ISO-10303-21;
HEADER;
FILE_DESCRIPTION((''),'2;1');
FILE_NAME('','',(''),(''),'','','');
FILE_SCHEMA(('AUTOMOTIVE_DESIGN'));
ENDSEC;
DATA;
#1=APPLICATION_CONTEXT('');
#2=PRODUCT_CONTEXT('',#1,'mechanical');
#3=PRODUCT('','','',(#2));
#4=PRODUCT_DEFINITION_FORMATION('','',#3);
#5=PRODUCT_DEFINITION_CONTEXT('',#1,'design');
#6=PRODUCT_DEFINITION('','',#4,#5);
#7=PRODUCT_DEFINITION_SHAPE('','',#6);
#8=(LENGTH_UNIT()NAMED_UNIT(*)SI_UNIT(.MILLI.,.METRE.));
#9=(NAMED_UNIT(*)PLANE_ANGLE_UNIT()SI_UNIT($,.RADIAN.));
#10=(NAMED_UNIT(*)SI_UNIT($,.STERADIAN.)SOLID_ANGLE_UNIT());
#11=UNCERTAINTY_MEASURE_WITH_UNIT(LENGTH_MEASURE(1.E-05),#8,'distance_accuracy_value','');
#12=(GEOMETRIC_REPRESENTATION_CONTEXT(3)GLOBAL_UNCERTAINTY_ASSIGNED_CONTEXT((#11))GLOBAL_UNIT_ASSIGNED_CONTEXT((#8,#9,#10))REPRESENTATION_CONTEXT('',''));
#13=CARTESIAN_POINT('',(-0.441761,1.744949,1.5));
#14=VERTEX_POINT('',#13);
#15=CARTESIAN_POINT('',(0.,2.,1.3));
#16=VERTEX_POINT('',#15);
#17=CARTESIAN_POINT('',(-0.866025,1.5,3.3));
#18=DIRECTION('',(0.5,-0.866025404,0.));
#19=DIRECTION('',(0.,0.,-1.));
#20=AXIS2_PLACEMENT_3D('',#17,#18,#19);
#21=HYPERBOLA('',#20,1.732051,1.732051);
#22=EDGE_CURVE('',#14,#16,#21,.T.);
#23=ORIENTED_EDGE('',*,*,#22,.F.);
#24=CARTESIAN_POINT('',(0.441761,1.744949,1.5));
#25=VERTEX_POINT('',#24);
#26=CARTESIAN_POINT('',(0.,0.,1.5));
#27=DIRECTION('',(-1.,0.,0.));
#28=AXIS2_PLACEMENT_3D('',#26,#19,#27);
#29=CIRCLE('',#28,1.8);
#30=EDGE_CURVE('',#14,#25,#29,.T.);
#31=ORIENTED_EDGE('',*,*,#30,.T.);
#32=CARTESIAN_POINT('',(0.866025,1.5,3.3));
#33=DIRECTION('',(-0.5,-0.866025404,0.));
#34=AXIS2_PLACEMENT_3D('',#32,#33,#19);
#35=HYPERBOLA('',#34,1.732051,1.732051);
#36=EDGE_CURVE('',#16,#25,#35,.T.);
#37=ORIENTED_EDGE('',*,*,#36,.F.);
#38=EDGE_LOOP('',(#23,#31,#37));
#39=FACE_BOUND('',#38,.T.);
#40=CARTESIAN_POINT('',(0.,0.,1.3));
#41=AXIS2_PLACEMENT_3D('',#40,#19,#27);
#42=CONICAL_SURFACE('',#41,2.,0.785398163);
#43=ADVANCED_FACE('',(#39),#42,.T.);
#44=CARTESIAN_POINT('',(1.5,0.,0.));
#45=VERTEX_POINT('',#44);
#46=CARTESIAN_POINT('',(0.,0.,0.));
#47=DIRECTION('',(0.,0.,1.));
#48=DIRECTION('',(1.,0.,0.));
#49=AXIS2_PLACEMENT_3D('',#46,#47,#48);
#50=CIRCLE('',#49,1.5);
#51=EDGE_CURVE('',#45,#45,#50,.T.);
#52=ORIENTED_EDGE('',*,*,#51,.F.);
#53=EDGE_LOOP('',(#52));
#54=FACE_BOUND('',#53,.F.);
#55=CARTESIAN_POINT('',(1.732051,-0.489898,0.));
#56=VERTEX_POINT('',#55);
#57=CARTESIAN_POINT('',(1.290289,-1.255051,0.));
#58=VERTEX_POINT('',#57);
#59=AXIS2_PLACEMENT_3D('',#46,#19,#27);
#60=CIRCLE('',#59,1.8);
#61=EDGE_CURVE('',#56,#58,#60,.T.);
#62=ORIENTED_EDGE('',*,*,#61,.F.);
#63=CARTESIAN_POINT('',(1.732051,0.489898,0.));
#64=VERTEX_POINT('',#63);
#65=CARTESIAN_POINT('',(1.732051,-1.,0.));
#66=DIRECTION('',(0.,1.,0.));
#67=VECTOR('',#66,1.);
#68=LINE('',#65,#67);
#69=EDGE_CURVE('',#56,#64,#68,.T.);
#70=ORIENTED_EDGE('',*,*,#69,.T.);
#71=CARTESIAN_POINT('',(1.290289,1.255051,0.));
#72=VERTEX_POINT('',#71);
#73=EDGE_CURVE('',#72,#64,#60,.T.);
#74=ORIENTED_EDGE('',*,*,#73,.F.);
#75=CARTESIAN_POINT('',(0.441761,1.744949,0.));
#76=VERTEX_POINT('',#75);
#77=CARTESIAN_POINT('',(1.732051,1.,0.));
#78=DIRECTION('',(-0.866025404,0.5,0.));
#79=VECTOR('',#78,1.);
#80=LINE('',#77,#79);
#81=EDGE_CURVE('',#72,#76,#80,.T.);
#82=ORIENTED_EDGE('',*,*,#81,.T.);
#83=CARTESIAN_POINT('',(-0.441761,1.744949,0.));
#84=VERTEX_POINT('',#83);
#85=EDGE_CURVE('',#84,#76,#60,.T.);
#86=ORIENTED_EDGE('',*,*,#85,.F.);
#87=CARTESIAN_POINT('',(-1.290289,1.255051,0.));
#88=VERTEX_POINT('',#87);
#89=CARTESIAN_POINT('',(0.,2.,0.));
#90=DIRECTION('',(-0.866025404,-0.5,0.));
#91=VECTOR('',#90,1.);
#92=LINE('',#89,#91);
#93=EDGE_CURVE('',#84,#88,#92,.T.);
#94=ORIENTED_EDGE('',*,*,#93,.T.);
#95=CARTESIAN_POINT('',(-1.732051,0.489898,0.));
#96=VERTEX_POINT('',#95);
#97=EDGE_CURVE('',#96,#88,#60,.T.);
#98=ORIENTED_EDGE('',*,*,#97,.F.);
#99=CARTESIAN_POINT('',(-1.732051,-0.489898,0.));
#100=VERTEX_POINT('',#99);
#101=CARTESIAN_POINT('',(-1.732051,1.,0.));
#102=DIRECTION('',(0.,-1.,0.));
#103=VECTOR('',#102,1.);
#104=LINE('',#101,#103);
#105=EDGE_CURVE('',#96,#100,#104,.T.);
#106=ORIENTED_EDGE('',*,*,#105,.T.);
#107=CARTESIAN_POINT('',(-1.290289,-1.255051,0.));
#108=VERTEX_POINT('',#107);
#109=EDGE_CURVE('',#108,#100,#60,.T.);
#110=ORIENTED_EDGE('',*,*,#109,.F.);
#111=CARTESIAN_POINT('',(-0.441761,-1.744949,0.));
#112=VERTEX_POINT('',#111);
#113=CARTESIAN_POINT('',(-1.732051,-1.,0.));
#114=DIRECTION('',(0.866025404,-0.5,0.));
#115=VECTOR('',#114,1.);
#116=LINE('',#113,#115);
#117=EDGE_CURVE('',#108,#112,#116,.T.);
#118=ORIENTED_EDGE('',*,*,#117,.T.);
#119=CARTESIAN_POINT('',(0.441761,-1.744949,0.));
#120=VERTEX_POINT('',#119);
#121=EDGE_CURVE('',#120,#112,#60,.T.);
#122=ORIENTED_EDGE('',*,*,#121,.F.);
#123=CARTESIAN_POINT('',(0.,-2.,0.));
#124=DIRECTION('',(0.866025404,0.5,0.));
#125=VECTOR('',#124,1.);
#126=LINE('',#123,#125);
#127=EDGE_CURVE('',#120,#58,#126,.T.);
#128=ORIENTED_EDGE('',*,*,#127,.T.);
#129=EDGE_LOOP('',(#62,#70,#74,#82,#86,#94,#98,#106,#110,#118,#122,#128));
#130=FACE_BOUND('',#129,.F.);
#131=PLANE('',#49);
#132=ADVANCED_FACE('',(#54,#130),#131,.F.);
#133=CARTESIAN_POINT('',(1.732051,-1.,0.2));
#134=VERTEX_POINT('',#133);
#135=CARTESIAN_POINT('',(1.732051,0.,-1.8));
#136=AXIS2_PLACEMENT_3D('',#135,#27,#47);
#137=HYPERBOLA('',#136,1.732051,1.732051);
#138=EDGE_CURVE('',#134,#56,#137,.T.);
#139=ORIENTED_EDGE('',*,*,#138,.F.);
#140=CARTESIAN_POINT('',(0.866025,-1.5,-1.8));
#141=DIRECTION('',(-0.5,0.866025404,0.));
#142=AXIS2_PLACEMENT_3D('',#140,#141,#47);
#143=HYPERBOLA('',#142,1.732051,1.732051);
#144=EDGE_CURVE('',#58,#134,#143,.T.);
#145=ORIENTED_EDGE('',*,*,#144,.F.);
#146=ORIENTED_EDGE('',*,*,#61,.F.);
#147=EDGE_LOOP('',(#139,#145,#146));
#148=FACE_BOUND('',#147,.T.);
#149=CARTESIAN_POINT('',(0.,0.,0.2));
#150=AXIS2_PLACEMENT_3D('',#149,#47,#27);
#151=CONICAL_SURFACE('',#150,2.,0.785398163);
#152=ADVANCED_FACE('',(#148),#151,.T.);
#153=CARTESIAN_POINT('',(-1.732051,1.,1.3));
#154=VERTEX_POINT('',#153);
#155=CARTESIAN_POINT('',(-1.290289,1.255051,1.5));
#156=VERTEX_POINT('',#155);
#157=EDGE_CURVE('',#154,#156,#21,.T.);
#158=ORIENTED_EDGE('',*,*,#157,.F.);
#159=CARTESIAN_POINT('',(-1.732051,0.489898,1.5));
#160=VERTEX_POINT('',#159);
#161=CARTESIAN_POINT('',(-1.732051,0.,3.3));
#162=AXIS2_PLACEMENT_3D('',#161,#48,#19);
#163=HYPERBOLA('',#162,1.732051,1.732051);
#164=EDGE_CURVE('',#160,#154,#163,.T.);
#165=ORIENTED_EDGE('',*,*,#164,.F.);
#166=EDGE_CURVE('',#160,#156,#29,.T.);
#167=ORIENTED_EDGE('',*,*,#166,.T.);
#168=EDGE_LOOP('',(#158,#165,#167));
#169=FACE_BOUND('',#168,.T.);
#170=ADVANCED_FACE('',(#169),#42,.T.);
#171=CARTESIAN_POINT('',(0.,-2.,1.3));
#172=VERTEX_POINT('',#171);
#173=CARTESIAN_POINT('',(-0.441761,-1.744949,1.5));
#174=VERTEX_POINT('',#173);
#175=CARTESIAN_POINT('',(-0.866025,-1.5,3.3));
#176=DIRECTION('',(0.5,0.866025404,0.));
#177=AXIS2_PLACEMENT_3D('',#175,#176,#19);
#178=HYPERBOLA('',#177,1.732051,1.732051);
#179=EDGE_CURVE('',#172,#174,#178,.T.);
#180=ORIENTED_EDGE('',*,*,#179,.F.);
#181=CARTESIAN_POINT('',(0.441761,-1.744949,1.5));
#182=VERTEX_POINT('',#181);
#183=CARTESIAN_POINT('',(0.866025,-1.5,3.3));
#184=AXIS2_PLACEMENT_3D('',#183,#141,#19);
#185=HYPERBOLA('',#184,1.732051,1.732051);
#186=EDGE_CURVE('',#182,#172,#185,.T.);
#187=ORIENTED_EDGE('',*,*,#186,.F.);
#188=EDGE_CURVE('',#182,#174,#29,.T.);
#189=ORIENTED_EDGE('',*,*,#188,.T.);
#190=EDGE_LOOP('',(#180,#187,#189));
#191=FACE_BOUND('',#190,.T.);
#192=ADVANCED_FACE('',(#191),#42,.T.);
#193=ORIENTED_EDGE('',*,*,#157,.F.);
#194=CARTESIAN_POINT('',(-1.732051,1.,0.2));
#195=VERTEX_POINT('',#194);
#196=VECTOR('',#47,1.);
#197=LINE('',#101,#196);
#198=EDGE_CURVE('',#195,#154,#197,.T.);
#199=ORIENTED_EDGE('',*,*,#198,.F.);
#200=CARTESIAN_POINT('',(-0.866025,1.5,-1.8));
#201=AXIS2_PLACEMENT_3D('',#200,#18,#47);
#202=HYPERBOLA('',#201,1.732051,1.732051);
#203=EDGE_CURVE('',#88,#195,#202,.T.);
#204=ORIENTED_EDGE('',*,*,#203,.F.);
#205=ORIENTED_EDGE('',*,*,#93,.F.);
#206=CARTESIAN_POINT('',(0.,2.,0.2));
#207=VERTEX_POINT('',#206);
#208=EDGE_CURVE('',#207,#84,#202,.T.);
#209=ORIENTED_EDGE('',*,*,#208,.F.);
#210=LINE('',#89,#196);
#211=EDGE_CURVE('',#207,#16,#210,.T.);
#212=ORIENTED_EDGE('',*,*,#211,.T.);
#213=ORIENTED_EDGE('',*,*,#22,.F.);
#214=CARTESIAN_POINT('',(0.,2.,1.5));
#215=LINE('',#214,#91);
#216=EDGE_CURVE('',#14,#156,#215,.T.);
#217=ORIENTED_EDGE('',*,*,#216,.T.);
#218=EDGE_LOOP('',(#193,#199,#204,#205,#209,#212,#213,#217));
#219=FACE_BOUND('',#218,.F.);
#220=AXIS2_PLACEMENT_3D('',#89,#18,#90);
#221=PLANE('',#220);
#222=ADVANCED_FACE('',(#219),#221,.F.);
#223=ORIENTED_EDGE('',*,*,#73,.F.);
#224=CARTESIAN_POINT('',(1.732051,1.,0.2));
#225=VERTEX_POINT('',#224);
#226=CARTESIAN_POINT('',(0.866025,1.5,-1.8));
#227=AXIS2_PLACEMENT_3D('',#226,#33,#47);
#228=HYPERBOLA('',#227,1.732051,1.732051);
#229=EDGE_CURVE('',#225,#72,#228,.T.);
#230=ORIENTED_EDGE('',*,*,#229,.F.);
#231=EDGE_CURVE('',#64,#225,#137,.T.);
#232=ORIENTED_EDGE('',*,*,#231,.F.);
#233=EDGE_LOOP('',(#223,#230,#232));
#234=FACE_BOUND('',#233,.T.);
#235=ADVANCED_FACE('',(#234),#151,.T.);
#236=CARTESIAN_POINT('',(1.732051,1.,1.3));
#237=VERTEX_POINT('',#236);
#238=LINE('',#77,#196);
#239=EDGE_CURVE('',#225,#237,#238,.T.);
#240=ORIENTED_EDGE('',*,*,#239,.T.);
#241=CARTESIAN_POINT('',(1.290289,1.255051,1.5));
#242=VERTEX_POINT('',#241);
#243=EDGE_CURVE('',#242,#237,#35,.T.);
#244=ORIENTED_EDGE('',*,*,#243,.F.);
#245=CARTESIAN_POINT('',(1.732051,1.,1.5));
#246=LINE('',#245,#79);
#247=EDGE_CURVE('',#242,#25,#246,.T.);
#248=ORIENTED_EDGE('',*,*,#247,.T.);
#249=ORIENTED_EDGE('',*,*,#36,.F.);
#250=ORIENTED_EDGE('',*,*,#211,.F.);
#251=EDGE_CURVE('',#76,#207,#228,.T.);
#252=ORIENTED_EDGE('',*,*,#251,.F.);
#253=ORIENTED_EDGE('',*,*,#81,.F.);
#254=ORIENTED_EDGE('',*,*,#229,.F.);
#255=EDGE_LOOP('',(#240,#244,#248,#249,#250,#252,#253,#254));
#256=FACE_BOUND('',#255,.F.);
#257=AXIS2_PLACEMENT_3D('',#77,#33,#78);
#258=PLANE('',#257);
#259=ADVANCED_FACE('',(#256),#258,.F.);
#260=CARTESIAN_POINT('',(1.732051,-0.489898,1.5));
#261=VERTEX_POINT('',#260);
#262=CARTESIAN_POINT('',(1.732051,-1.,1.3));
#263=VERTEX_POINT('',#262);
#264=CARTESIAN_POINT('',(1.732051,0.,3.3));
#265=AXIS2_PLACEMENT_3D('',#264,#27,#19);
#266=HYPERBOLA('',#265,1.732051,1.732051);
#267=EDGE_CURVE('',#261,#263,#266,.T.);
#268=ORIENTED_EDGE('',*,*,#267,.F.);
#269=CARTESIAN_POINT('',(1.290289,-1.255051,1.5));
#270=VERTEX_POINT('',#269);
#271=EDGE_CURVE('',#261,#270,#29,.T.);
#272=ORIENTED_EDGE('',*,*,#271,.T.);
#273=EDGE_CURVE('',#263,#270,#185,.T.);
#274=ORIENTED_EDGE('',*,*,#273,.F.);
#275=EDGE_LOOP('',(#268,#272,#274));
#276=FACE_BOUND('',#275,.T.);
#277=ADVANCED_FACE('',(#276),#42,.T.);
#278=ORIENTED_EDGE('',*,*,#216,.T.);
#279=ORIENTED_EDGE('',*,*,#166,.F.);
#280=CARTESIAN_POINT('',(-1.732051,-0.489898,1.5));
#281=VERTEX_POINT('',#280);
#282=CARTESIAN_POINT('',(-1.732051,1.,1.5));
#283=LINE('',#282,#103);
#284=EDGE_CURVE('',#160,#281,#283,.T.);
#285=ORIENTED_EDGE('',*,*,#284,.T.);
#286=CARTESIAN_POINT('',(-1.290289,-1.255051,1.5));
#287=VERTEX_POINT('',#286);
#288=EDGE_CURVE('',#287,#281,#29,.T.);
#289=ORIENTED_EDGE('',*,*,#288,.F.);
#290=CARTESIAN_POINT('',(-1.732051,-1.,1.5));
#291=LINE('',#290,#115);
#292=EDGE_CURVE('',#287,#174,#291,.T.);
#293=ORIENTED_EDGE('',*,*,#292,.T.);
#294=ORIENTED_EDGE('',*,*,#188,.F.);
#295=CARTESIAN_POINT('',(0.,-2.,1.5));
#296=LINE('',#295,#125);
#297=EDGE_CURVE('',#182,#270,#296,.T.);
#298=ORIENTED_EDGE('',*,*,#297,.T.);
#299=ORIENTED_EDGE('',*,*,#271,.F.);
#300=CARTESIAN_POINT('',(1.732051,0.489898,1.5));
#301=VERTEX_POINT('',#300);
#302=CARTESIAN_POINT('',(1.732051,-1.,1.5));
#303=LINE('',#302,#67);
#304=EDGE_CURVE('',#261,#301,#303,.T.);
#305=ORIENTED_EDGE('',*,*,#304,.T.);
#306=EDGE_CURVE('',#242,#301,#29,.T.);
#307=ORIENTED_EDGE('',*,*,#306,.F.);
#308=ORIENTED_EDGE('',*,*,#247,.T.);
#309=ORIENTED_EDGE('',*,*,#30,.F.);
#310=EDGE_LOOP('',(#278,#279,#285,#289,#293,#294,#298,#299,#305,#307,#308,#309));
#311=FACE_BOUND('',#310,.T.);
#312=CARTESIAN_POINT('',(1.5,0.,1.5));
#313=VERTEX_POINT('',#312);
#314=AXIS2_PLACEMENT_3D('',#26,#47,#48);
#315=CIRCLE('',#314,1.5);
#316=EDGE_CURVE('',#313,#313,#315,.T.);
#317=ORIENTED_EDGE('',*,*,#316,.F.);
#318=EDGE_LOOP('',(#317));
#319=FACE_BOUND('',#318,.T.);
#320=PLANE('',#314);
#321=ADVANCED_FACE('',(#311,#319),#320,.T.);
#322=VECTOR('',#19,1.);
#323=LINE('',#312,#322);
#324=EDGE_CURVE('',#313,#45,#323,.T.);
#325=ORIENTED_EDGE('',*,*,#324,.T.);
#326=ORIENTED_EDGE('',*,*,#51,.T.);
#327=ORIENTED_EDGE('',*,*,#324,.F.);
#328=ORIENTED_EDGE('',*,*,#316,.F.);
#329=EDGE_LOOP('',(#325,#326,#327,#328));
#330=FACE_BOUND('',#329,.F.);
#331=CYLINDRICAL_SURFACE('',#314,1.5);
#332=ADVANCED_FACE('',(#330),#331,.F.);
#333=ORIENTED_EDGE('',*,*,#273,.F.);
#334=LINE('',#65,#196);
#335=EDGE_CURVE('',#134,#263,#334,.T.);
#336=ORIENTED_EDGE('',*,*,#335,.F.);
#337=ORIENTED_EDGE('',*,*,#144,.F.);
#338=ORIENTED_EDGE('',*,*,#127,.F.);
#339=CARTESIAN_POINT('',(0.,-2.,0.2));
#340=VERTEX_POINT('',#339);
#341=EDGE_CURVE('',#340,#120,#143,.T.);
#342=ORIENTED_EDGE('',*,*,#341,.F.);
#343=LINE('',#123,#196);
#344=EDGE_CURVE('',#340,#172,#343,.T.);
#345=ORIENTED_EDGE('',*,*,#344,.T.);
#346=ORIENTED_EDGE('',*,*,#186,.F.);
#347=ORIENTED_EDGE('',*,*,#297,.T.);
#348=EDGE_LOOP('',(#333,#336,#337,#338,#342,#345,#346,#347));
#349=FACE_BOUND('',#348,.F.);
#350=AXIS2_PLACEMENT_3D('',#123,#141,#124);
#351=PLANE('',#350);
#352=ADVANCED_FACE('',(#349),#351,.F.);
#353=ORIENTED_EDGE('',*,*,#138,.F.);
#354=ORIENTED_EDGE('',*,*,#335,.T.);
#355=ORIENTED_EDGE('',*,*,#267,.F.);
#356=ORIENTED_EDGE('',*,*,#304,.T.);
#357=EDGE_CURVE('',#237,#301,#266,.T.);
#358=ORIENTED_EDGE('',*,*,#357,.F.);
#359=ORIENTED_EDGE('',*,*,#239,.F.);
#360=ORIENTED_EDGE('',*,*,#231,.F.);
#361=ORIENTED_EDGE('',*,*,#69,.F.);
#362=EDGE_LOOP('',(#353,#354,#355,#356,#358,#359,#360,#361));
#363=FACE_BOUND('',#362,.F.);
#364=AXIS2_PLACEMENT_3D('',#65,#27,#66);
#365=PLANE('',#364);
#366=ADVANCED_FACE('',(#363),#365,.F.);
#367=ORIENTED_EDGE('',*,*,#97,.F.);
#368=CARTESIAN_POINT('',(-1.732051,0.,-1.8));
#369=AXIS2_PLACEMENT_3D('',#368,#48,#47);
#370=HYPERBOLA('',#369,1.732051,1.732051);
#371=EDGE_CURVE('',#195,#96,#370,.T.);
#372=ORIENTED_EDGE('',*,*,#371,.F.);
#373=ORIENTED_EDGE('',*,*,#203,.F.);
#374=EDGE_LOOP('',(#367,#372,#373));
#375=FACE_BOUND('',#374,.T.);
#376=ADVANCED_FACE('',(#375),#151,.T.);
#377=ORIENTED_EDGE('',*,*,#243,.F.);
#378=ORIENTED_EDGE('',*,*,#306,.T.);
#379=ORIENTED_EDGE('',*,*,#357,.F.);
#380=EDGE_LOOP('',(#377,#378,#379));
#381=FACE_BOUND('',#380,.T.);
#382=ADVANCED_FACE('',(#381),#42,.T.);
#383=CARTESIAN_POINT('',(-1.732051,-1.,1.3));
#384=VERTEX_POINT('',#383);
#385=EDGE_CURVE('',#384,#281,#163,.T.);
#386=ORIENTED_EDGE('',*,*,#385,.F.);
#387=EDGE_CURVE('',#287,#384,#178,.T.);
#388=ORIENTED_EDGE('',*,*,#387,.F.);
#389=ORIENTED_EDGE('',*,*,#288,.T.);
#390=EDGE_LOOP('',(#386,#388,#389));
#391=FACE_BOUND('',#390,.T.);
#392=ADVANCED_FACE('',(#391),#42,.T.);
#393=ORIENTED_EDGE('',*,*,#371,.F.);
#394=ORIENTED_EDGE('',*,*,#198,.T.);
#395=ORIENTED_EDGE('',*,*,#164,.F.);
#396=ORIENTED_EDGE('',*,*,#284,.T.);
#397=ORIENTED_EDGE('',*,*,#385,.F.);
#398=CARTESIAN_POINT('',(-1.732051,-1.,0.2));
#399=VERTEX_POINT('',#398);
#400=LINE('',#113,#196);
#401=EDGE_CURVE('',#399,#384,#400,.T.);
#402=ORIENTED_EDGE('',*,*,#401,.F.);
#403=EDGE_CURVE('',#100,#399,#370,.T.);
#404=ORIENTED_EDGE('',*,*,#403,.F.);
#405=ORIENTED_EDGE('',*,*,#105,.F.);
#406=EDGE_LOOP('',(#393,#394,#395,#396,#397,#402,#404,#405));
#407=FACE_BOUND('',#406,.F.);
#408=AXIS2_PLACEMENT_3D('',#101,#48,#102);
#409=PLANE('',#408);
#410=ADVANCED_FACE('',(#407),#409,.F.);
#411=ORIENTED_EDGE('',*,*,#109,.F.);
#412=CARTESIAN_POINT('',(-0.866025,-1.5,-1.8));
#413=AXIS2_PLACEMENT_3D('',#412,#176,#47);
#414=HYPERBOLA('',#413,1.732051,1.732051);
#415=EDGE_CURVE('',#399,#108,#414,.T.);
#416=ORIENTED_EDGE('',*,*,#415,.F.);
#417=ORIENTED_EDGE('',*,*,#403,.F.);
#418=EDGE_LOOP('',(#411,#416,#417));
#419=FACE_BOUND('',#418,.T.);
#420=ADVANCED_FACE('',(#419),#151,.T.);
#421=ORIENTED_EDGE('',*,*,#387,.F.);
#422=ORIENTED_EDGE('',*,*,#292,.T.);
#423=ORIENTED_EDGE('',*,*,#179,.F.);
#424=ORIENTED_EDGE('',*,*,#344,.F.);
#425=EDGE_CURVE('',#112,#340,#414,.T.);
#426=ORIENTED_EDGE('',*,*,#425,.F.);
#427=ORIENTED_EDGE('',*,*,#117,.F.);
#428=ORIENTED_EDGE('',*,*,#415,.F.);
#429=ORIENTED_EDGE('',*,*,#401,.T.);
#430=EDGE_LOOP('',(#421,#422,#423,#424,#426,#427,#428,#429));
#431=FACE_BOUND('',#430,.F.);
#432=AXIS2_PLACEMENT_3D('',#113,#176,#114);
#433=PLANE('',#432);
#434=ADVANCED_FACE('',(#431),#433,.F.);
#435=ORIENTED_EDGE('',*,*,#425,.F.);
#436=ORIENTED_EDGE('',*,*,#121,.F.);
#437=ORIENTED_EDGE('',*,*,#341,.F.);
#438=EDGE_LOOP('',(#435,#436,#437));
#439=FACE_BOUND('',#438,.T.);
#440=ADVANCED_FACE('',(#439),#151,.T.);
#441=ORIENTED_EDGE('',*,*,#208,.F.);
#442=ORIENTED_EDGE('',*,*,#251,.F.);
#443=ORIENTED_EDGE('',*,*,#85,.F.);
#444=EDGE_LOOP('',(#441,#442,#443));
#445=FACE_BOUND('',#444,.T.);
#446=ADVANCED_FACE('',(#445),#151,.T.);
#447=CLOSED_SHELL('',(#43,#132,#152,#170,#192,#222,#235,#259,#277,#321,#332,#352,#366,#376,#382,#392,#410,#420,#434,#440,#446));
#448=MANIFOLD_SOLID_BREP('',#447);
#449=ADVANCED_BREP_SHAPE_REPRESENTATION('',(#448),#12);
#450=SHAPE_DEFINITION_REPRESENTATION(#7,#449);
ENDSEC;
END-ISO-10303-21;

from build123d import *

# Parameters (mm, degrees)
EXTRUDE_1_DEPTH     = 1.5
SKETCH_3_R          = 1.5
CUT_EXTRUDE_1_DEPTH = 1.5


with BuildPart() as part:
    # 草图2 → 凸台-拉伸1 (new body)
    with BuildSketch(Plane.XY):
        Polygon((-1.732050808, 1), (-1.732050808, -1), (0, -2), (1.732050808, -1), (1.732050808, 1), (0, 2), align=None)
    extrude(amount=EXTRUDE_1_DEPTH)

    # 草图3 → 切除-拉伸1 (cut)
    with BuildSketch(Plane.XY.offset(1.5)):
        Circle(SKETCH_3_R)
    extrude(amount=-CUT_EXTRUDE_1_DEPTH, mode=Mode.SUBTRACT)

    # 切除-扫描4: sweep along a path in 草图4
    with BuildLine(Plane(origin=(0, 0, 0), x_dir=(-1, 0, 0), z_dir=(0, 0, -1))) as sweep_4_path:
        CenterArc((0, 0), 1.8, 0, 360)
    # 草图5 → 切除-扫描4 (sweep, cut)
    with BuildSketch(Plane(origin=(0, 0, 0), x_dir=(0, 0, -1), z_dir=(1, 0, 0))):
        Polygon((0, 2), (-0.2, 2), (0, 1.8), align=None)
        Polygon((-1.5, 2), (-1.3, 2), (-1.5, 1.8), align=None)
    sweep(path=sweep_4_path.line, mode=Mode.SUBTRACT)


solid = part.part
